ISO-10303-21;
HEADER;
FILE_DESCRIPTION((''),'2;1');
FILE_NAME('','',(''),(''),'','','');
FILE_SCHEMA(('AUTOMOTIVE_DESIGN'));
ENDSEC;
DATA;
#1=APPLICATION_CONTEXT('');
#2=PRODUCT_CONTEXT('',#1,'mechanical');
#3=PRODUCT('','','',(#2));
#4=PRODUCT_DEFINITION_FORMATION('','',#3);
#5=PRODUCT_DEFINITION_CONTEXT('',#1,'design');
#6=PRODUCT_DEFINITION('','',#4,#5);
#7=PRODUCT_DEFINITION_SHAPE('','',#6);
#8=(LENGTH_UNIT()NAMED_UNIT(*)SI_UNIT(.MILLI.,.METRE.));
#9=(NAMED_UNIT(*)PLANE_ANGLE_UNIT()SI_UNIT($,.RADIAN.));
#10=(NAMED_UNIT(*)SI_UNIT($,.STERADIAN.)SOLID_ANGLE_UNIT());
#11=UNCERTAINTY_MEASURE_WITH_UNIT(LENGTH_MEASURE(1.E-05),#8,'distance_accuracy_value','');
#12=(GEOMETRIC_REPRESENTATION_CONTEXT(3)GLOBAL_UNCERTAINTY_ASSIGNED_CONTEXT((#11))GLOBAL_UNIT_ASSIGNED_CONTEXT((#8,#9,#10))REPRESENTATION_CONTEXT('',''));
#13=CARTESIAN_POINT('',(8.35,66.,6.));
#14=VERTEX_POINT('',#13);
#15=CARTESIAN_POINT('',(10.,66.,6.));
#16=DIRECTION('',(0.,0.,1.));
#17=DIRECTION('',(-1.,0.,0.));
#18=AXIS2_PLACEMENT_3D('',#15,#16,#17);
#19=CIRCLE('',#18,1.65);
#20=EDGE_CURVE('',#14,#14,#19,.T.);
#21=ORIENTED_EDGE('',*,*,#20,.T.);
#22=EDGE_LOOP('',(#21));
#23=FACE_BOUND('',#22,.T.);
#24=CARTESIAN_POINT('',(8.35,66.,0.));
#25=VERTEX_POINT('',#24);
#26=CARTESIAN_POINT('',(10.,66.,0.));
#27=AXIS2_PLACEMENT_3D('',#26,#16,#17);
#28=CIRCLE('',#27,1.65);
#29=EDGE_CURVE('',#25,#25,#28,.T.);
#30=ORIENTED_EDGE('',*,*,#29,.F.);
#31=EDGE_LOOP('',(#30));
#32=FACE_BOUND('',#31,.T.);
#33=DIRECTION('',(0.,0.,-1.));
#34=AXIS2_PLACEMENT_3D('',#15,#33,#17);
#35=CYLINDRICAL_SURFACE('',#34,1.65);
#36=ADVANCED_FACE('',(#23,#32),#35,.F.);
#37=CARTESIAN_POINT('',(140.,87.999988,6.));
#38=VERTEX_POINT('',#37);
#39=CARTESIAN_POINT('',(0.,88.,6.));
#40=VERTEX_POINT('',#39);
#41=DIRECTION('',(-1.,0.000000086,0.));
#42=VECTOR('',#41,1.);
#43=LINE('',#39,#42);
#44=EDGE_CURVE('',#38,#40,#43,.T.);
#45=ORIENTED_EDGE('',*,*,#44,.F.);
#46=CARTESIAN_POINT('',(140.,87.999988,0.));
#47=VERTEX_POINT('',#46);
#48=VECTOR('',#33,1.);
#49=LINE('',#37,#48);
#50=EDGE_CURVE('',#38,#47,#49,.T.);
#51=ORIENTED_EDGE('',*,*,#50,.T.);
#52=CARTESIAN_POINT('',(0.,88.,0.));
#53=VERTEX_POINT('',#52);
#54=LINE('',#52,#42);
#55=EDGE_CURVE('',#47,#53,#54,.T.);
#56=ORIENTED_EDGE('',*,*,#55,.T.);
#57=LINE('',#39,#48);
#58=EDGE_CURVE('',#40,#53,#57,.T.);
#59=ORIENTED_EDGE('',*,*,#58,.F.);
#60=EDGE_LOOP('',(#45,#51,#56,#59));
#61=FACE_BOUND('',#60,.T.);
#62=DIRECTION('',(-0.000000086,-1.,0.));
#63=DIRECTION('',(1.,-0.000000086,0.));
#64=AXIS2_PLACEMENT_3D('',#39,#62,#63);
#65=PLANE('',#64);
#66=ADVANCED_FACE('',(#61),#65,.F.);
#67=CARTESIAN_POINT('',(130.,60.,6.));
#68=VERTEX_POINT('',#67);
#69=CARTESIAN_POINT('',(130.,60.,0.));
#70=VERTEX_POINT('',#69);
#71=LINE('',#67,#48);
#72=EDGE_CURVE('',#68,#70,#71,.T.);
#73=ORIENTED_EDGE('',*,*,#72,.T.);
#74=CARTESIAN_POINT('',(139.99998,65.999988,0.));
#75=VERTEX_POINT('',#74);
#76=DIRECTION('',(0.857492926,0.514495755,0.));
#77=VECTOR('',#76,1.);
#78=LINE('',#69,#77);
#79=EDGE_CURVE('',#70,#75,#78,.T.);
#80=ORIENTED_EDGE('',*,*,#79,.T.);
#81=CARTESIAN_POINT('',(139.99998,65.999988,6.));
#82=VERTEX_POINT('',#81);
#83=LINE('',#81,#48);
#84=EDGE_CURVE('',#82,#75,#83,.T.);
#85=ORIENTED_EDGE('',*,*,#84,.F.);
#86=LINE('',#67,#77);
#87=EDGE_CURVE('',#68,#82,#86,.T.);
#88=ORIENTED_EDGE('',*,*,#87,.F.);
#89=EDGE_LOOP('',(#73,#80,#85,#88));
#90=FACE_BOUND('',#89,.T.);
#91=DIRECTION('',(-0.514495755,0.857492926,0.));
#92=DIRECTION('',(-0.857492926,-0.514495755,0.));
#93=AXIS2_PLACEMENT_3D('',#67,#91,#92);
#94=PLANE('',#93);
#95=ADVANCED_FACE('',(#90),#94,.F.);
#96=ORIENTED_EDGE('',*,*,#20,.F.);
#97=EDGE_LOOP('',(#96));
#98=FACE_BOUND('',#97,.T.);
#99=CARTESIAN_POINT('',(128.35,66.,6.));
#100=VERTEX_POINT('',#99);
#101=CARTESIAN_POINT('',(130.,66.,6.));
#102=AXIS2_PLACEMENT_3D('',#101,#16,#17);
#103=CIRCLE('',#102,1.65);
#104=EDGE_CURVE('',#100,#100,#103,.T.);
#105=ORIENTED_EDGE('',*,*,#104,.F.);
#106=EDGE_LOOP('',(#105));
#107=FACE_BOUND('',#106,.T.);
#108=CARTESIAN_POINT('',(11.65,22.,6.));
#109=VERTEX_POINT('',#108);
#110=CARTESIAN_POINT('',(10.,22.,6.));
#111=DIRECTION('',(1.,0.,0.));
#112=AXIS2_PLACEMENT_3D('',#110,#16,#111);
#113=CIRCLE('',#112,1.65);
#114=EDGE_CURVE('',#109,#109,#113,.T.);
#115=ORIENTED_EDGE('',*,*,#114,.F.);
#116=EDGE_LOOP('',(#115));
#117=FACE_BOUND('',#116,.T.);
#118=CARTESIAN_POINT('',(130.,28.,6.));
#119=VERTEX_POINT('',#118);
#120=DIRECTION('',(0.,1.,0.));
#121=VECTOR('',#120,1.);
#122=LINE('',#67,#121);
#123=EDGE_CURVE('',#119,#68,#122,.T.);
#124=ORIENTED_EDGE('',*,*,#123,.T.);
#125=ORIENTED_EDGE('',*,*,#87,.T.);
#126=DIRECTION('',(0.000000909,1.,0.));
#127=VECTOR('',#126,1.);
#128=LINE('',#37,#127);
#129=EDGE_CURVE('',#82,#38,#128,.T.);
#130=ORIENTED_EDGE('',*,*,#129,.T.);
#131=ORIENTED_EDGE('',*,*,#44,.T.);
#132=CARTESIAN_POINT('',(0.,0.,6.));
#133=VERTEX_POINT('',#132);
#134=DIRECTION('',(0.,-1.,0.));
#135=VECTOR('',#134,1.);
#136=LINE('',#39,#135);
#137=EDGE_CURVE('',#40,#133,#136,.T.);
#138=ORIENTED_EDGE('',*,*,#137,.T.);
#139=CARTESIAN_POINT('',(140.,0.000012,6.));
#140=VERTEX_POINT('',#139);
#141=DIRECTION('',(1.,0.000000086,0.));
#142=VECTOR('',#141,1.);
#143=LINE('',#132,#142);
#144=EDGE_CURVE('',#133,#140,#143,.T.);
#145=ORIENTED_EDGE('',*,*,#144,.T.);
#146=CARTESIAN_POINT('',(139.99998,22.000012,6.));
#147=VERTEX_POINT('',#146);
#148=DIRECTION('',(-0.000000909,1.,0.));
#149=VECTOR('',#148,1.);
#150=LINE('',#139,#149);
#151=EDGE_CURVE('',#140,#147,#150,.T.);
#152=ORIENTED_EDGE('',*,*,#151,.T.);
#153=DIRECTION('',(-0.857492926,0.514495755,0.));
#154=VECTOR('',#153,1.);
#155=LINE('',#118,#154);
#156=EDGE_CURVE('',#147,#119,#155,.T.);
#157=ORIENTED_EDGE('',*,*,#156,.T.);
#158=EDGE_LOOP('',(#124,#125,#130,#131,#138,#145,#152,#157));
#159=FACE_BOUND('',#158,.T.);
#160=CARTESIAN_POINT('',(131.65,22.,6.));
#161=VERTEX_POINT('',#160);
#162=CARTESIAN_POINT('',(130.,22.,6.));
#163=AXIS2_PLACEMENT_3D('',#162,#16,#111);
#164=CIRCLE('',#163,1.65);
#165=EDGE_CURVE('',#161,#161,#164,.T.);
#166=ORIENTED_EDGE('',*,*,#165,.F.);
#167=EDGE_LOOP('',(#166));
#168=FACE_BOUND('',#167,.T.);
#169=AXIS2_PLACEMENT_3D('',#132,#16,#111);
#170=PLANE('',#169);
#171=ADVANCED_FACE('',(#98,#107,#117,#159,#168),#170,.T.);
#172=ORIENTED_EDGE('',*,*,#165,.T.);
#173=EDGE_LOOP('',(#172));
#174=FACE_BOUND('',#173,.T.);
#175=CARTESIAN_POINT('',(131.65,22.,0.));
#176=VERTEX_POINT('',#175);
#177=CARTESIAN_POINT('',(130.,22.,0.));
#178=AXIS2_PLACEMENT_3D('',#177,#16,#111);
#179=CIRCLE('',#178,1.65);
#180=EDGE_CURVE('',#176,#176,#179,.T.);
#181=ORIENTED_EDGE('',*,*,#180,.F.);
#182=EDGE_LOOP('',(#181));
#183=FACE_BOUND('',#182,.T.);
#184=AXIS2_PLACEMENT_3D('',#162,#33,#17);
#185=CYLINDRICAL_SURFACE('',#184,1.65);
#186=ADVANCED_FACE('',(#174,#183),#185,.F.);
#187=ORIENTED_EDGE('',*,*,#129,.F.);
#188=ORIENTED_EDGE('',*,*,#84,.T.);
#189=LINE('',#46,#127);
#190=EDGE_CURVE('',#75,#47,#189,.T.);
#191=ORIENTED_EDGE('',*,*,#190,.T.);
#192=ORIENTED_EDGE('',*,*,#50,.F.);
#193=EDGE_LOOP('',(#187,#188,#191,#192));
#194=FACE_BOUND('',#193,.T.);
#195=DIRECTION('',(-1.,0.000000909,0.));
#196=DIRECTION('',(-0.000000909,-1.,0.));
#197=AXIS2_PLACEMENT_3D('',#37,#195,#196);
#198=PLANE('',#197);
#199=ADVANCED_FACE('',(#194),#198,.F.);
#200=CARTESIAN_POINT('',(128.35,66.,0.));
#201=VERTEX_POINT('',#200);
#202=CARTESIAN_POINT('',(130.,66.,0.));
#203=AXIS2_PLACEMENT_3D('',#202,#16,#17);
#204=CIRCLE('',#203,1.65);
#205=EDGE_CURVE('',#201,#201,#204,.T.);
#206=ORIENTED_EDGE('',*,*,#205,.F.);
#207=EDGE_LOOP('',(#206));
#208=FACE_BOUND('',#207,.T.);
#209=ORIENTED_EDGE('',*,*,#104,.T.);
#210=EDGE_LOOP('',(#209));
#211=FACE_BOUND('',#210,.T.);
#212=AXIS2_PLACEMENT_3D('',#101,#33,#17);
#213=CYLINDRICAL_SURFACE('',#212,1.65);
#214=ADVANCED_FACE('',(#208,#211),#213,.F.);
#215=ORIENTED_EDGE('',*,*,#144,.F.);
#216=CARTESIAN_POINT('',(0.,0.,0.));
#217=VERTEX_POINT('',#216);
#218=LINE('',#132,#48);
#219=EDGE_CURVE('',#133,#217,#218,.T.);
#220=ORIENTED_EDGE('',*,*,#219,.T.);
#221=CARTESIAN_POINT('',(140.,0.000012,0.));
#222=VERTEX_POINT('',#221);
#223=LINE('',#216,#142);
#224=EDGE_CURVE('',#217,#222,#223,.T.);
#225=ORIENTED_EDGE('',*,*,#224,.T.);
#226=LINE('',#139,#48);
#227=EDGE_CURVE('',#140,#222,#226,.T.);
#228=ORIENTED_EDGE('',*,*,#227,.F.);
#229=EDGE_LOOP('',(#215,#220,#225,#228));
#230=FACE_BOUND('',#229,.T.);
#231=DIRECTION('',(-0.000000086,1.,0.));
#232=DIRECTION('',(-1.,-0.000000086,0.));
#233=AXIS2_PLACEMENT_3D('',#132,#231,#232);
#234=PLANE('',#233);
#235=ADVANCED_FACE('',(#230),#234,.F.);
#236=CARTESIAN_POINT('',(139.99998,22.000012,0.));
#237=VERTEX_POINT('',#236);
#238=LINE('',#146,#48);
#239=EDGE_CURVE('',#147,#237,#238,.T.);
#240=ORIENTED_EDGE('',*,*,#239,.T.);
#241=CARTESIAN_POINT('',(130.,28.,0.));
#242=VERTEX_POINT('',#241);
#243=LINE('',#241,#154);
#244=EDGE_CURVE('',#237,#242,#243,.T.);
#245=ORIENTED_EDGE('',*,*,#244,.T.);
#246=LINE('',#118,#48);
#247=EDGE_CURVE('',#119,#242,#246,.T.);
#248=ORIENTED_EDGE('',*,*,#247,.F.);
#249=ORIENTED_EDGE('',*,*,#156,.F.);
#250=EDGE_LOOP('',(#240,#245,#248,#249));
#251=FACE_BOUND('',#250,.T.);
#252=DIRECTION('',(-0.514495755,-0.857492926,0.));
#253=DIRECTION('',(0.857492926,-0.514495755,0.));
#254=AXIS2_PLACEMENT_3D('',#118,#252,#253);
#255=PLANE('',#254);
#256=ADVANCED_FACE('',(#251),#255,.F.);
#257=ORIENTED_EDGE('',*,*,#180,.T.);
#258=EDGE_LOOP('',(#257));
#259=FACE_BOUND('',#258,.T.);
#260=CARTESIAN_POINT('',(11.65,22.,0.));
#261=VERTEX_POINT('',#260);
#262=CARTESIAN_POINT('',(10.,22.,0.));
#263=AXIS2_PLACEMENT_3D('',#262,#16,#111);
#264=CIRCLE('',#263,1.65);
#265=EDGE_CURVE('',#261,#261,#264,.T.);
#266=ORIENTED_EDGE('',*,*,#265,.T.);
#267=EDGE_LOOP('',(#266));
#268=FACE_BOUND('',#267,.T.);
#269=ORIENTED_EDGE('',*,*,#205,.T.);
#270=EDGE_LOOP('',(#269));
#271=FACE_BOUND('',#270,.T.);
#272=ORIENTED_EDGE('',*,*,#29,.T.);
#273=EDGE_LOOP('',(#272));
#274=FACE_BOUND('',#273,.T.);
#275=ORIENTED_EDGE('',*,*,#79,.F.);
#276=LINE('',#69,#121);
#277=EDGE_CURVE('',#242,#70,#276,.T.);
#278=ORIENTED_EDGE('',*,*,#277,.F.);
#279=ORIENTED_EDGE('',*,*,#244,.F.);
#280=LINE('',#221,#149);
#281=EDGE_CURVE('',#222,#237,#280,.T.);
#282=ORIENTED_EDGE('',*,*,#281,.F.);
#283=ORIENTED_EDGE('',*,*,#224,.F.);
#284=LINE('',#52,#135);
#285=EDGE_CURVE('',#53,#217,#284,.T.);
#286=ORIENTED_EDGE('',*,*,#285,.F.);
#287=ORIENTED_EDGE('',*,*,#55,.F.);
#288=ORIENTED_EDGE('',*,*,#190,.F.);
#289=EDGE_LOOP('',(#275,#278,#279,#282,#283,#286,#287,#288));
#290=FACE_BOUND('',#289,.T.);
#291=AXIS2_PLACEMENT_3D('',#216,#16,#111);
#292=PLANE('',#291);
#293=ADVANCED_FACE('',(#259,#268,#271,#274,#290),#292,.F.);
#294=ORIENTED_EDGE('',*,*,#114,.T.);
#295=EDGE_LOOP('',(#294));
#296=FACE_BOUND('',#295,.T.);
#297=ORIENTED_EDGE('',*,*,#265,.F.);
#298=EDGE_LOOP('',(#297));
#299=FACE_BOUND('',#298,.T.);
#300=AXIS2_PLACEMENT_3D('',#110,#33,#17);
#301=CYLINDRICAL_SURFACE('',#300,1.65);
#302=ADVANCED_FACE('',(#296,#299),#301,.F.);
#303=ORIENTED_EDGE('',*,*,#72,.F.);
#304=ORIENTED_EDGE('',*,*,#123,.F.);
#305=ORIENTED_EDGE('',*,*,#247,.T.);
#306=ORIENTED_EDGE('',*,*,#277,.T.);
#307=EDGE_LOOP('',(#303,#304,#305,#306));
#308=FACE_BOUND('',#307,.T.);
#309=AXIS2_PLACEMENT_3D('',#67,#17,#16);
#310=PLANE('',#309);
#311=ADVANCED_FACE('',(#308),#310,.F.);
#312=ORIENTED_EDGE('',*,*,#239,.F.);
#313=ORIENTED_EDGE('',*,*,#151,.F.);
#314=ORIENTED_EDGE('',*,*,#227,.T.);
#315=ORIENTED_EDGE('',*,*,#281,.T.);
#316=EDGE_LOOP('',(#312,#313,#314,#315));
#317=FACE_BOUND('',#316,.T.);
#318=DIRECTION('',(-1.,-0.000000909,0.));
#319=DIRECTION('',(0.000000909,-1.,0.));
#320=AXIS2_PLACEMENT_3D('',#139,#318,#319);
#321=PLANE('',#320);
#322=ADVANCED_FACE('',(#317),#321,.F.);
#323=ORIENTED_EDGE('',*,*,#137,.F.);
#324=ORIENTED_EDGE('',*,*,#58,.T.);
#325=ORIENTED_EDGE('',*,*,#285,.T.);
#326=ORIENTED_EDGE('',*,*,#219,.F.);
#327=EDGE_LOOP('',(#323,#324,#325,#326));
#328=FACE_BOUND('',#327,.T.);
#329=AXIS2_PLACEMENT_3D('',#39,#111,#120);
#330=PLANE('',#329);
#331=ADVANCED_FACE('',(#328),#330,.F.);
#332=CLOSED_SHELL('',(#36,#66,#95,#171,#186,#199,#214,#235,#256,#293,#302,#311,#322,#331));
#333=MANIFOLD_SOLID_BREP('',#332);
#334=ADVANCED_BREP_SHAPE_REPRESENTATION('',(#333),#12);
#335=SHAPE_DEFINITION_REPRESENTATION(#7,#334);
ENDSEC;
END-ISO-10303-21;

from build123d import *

# Parameters (mm, degrees)
SKETCH1_R           = 1.65
BOSS_EXTRUDE1_DEPTH = 6


with BuildPart() as part:
    # Sketch1 → Boss-Extrude1 (new body)
    with BuildSketch(Plane.XY):
        Polygon((0, 0), (140, 1.2e-05), (139.99998, 22.000012), (130, 28), (130, 60), (139.99998, 65.999988), (140, 87.999988), (0, 88), align=None)
        with Locations((10, 22)):
            Circle(SKETCH1_R, mode=Mode.SUBTRACT)
        with Locations(Location((130, 66, 0), (0, 0, 180))):
            Circle(SKETCH1_R, mode=Mode.SUBTRACT)
        with Locations((130, 22)):
            Circle(SKETCH1_R, mode=Mode.SUBTRACT)
        with Locations(Location((10, 66, 0), (0, 0, 180))):
            Circle(SKETCH1_R, mode=Mode.SUBTRACT)
    extrude(amount=BOSS_EXTRUDE1_DEPTH)


solid = part.part
